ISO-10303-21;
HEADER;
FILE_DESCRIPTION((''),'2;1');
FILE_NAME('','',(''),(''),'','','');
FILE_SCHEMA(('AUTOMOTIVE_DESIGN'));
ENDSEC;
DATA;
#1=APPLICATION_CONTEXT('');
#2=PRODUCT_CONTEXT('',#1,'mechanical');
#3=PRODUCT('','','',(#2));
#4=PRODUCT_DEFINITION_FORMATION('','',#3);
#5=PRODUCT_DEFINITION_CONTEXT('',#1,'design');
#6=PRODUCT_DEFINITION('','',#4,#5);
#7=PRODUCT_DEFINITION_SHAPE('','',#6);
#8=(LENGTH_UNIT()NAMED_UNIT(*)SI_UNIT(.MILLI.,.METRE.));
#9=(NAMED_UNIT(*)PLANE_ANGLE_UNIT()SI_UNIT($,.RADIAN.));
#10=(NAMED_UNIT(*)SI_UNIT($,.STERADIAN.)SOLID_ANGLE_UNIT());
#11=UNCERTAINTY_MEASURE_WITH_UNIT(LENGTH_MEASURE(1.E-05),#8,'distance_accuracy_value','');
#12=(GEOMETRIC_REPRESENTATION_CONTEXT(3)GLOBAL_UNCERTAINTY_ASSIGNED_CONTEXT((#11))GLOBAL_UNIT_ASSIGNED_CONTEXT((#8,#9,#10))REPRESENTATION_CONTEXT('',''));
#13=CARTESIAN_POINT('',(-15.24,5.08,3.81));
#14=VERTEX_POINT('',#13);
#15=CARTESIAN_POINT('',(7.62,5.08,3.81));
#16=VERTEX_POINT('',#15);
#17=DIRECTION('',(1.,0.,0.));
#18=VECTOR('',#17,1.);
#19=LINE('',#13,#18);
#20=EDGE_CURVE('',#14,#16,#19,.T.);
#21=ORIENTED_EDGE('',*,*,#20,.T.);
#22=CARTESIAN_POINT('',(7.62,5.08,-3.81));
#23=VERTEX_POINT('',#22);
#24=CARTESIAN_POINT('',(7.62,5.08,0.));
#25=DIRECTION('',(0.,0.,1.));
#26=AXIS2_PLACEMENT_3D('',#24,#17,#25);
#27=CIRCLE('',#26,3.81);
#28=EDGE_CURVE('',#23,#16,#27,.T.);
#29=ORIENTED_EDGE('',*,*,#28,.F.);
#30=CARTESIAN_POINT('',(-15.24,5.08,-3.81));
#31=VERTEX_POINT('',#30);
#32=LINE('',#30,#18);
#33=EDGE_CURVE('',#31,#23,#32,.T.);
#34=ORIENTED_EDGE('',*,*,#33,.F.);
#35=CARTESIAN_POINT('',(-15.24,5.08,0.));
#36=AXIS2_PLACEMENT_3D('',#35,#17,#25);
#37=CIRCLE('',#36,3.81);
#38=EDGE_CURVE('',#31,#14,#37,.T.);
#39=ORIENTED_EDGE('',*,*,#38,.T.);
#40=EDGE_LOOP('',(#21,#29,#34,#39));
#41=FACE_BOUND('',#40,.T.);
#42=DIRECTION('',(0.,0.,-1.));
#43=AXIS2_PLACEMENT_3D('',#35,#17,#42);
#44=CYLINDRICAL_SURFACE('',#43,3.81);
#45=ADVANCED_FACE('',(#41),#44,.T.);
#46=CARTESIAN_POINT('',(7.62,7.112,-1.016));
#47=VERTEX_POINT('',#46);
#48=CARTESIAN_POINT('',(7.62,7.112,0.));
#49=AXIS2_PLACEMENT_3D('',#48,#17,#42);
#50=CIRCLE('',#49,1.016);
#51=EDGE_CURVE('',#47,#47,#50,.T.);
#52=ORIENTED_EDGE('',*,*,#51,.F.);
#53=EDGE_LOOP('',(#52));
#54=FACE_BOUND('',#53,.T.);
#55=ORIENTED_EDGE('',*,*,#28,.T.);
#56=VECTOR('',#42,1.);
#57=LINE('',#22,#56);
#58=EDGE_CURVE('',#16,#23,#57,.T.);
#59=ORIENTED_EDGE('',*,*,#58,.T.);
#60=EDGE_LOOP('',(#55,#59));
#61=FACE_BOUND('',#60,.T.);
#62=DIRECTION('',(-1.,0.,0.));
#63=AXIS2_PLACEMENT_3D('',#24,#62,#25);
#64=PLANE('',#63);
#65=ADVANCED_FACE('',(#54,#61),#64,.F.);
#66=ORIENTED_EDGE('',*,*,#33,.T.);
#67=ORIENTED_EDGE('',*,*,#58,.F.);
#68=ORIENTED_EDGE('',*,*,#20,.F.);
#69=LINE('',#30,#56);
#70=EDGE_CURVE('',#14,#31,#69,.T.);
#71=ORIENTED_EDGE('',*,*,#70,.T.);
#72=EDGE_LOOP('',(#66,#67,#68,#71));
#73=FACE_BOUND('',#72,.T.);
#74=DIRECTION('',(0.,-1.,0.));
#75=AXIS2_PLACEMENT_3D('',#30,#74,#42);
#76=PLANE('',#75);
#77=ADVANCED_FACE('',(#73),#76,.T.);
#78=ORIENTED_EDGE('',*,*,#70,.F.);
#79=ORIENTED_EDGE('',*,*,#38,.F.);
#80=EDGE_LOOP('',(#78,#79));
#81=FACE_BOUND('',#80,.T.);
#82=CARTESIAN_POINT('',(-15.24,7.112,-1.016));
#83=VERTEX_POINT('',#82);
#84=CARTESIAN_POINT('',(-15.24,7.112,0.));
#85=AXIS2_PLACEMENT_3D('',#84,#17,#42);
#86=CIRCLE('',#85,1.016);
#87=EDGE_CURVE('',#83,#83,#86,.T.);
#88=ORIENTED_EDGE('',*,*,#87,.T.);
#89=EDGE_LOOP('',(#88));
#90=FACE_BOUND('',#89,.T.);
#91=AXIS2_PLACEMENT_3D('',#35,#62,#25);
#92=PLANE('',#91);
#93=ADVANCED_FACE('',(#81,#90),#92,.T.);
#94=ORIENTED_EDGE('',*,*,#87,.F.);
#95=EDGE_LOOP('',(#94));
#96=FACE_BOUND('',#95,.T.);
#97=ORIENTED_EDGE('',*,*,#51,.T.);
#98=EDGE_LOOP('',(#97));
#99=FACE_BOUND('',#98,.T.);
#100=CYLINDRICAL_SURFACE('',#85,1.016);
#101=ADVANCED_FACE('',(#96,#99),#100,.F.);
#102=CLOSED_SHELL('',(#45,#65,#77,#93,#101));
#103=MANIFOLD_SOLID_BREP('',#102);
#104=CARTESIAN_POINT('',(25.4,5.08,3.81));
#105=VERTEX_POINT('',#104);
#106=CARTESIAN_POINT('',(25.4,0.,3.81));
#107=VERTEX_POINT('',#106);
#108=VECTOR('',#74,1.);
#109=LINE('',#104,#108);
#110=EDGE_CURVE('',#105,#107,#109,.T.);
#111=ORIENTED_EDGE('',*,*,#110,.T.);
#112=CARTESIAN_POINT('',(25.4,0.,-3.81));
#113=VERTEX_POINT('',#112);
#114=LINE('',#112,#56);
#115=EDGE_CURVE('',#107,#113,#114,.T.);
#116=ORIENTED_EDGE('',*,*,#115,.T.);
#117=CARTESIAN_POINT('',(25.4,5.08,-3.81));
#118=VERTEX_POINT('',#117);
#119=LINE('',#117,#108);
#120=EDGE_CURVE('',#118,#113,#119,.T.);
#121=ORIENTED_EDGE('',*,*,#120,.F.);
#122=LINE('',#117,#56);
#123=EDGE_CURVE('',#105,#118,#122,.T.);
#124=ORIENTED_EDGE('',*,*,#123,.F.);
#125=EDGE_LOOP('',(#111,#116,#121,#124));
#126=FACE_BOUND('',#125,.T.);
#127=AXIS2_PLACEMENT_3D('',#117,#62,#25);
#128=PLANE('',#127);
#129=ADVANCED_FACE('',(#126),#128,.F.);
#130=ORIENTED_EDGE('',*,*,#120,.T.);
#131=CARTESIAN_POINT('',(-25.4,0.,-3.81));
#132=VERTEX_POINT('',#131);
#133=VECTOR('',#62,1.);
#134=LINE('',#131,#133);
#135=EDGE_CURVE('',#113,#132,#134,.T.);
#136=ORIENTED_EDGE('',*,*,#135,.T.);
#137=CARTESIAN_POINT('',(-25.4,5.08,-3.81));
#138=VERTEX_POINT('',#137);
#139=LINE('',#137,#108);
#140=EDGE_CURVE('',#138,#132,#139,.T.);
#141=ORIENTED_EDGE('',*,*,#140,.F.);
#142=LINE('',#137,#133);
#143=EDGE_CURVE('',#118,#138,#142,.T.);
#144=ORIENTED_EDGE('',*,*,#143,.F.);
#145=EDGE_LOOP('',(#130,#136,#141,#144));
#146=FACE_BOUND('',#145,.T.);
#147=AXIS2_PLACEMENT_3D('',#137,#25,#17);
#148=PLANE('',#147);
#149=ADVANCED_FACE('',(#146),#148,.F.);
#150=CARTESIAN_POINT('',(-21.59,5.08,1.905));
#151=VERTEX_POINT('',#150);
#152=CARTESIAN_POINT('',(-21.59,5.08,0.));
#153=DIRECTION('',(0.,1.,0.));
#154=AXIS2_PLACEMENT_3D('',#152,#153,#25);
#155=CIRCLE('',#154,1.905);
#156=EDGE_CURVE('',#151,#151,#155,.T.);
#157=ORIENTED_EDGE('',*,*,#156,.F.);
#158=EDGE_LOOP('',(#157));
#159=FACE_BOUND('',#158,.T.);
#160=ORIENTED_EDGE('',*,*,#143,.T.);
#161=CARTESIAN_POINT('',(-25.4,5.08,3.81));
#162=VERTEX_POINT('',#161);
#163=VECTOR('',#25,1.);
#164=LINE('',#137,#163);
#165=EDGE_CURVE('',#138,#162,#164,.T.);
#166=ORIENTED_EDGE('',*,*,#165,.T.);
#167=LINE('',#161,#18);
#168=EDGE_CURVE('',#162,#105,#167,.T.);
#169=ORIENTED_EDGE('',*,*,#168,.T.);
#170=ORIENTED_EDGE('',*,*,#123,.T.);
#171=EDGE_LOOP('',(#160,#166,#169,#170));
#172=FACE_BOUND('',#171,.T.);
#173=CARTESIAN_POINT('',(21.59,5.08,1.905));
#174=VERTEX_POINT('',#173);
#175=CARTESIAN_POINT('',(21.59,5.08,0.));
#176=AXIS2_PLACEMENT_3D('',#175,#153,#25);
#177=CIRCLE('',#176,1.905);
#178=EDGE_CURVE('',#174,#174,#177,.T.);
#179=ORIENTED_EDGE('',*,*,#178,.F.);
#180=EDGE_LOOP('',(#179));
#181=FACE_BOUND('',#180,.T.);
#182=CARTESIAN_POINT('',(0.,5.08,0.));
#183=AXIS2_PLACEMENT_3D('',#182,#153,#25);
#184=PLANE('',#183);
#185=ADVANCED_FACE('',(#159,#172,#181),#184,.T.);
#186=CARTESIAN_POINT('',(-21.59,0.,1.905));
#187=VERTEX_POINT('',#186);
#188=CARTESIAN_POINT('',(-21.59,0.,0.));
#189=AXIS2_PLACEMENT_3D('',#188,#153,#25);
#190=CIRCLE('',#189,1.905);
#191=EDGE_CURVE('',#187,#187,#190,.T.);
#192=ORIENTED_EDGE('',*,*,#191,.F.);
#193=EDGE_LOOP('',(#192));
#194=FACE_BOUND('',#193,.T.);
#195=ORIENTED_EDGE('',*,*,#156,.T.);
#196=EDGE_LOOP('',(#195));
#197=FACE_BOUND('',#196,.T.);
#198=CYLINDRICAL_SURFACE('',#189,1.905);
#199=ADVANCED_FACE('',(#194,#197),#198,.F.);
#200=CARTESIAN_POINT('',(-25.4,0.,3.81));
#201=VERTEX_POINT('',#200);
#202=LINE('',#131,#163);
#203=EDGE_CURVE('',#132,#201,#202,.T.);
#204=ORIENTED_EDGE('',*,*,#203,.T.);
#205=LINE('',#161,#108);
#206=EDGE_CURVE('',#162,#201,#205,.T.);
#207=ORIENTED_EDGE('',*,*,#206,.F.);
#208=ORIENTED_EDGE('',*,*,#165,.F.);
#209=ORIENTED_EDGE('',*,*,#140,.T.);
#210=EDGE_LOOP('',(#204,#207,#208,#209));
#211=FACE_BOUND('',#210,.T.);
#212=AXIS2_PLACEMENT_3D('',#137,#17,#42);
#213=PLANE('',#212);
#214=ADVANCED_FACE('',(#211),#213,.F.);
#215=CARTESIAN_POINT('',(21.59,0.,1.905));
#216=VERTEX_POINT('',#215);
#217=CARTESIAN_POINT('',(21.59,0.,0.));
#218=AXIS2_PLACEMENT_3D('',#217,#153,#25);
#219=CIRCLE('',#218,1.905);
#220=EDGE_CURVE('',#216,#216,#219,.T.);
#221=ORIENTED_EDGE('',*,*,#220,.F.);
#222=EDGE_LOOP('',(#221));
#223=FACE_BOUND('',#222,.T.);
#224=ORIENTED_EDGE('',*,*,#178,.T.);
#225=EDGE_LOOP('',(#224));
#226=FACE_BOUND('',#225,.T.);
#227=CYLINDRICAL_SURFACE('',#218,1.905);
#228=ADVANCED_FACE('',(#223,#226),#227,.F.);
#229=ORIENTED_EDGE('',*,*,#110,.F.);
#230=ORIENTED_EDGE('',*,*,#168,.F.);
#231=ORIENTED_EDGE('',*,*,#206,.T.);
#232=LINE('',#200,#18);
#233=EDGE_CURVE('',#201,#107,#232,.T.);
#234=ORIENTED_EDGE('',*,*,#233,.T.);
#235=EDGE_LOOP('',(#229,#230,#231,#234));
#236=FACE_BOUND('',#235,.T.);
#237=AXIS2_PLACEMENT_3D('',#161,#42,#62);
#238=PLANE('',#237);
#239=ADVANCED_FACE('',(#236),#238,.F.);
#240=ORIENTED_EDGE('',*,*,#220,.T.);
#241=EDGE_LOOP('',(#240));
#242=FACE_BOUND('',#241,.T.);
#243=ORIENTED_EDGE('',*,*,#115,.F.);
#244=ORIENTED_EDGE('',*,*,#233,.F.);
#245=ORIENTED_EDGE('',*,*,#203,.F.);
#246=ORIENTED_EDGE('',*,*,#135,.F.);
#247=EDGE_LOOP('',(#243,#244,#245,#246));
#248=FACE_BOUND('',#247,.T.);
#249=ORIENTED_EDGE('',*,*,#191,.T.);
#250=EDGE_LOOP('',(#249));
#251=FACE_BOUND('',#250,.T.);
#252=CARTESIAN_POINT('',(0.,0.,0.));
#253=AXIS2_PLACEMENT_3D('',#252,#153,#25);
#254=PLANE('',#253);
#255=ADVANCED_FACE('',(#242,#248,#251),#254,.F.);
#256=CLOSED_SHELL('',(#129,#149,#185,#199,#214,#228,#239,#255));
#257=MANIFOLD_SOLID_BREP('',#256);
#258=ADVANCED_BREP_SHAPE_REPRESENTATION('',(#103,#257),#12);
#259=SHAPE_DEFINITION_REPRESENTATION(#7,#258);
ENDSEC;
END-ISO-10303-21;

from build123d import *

# Parameters (mm, degrees)
SKETCH1_W           = 50.8
SKETCH1_H           = 7.62
BOSS_EXTRUDE1_DEPTH = 5.08
BOSS_EXTRUDE2_START = -17.78
SKETCH2_R           = 1.016
BOSS_EXTRUDE2_DEPTH = 22.86
SKETCH3_R           = 1.905
CUT_EXTRUDE1_DEPTH  = 27.181720723


with BuildPart() as part:
    # Sketch1 → Boss-Extrude1 (new body)
    with BuildSketch(Plane(origin=(0, 0, 0), x_dir=(1, 0, 0), z_dir=(0, 1, 0))):
        Rectangle(SKETCH1_W, SKETCH1_H)
    extrude(amount=BOSS_EXTRUDE1_DEPTH)

    # Sketch3 → Cut-Extrude1 (cut, through all)
    with BuildSketch(Plane(origin=(0, 5.08, 0), x_dir=(1, 0, 0), z_dir=(0, 1, 0))):
        with Locations(Location((-21.59, 0, 0), (0, 0, 270))):
            Circle(SKETCH3_R)
        with Locations(Location((21.59, 0, 0), (0, 0, 270))):
            Circle(SKETCH3_R)
    extrude(amount=-CUT_EXTRUDE1_DEPTH, mode=Mode.SUBTRACT)


with BuildPart() as body_2:
    # Sketch2 → Boss-Extrude2 (new body)
    with BuildSketch(Plane(origin=(25.4, 0, 0), x_dir=(0, 0, -1), z_dir=(1, 0, 0)).offset(BOSS_EXTRUDE2_START)):
        with BuildLine():
            Line((3.81, 5.08), (-3.81, 5.08))
            ThreePointArc((-3.81, 5.08), (0, 8.89), (3.81, 5.08))
        make_face()
        with Locations((0, 7.112)):
            Circle(SKETCH2_R, mode=Mode.SUBTRACT)
    extrude(amount=-BOSS_EXTRUDE2_DEPTH)


solid = Compound([part.part, body_2.part])
